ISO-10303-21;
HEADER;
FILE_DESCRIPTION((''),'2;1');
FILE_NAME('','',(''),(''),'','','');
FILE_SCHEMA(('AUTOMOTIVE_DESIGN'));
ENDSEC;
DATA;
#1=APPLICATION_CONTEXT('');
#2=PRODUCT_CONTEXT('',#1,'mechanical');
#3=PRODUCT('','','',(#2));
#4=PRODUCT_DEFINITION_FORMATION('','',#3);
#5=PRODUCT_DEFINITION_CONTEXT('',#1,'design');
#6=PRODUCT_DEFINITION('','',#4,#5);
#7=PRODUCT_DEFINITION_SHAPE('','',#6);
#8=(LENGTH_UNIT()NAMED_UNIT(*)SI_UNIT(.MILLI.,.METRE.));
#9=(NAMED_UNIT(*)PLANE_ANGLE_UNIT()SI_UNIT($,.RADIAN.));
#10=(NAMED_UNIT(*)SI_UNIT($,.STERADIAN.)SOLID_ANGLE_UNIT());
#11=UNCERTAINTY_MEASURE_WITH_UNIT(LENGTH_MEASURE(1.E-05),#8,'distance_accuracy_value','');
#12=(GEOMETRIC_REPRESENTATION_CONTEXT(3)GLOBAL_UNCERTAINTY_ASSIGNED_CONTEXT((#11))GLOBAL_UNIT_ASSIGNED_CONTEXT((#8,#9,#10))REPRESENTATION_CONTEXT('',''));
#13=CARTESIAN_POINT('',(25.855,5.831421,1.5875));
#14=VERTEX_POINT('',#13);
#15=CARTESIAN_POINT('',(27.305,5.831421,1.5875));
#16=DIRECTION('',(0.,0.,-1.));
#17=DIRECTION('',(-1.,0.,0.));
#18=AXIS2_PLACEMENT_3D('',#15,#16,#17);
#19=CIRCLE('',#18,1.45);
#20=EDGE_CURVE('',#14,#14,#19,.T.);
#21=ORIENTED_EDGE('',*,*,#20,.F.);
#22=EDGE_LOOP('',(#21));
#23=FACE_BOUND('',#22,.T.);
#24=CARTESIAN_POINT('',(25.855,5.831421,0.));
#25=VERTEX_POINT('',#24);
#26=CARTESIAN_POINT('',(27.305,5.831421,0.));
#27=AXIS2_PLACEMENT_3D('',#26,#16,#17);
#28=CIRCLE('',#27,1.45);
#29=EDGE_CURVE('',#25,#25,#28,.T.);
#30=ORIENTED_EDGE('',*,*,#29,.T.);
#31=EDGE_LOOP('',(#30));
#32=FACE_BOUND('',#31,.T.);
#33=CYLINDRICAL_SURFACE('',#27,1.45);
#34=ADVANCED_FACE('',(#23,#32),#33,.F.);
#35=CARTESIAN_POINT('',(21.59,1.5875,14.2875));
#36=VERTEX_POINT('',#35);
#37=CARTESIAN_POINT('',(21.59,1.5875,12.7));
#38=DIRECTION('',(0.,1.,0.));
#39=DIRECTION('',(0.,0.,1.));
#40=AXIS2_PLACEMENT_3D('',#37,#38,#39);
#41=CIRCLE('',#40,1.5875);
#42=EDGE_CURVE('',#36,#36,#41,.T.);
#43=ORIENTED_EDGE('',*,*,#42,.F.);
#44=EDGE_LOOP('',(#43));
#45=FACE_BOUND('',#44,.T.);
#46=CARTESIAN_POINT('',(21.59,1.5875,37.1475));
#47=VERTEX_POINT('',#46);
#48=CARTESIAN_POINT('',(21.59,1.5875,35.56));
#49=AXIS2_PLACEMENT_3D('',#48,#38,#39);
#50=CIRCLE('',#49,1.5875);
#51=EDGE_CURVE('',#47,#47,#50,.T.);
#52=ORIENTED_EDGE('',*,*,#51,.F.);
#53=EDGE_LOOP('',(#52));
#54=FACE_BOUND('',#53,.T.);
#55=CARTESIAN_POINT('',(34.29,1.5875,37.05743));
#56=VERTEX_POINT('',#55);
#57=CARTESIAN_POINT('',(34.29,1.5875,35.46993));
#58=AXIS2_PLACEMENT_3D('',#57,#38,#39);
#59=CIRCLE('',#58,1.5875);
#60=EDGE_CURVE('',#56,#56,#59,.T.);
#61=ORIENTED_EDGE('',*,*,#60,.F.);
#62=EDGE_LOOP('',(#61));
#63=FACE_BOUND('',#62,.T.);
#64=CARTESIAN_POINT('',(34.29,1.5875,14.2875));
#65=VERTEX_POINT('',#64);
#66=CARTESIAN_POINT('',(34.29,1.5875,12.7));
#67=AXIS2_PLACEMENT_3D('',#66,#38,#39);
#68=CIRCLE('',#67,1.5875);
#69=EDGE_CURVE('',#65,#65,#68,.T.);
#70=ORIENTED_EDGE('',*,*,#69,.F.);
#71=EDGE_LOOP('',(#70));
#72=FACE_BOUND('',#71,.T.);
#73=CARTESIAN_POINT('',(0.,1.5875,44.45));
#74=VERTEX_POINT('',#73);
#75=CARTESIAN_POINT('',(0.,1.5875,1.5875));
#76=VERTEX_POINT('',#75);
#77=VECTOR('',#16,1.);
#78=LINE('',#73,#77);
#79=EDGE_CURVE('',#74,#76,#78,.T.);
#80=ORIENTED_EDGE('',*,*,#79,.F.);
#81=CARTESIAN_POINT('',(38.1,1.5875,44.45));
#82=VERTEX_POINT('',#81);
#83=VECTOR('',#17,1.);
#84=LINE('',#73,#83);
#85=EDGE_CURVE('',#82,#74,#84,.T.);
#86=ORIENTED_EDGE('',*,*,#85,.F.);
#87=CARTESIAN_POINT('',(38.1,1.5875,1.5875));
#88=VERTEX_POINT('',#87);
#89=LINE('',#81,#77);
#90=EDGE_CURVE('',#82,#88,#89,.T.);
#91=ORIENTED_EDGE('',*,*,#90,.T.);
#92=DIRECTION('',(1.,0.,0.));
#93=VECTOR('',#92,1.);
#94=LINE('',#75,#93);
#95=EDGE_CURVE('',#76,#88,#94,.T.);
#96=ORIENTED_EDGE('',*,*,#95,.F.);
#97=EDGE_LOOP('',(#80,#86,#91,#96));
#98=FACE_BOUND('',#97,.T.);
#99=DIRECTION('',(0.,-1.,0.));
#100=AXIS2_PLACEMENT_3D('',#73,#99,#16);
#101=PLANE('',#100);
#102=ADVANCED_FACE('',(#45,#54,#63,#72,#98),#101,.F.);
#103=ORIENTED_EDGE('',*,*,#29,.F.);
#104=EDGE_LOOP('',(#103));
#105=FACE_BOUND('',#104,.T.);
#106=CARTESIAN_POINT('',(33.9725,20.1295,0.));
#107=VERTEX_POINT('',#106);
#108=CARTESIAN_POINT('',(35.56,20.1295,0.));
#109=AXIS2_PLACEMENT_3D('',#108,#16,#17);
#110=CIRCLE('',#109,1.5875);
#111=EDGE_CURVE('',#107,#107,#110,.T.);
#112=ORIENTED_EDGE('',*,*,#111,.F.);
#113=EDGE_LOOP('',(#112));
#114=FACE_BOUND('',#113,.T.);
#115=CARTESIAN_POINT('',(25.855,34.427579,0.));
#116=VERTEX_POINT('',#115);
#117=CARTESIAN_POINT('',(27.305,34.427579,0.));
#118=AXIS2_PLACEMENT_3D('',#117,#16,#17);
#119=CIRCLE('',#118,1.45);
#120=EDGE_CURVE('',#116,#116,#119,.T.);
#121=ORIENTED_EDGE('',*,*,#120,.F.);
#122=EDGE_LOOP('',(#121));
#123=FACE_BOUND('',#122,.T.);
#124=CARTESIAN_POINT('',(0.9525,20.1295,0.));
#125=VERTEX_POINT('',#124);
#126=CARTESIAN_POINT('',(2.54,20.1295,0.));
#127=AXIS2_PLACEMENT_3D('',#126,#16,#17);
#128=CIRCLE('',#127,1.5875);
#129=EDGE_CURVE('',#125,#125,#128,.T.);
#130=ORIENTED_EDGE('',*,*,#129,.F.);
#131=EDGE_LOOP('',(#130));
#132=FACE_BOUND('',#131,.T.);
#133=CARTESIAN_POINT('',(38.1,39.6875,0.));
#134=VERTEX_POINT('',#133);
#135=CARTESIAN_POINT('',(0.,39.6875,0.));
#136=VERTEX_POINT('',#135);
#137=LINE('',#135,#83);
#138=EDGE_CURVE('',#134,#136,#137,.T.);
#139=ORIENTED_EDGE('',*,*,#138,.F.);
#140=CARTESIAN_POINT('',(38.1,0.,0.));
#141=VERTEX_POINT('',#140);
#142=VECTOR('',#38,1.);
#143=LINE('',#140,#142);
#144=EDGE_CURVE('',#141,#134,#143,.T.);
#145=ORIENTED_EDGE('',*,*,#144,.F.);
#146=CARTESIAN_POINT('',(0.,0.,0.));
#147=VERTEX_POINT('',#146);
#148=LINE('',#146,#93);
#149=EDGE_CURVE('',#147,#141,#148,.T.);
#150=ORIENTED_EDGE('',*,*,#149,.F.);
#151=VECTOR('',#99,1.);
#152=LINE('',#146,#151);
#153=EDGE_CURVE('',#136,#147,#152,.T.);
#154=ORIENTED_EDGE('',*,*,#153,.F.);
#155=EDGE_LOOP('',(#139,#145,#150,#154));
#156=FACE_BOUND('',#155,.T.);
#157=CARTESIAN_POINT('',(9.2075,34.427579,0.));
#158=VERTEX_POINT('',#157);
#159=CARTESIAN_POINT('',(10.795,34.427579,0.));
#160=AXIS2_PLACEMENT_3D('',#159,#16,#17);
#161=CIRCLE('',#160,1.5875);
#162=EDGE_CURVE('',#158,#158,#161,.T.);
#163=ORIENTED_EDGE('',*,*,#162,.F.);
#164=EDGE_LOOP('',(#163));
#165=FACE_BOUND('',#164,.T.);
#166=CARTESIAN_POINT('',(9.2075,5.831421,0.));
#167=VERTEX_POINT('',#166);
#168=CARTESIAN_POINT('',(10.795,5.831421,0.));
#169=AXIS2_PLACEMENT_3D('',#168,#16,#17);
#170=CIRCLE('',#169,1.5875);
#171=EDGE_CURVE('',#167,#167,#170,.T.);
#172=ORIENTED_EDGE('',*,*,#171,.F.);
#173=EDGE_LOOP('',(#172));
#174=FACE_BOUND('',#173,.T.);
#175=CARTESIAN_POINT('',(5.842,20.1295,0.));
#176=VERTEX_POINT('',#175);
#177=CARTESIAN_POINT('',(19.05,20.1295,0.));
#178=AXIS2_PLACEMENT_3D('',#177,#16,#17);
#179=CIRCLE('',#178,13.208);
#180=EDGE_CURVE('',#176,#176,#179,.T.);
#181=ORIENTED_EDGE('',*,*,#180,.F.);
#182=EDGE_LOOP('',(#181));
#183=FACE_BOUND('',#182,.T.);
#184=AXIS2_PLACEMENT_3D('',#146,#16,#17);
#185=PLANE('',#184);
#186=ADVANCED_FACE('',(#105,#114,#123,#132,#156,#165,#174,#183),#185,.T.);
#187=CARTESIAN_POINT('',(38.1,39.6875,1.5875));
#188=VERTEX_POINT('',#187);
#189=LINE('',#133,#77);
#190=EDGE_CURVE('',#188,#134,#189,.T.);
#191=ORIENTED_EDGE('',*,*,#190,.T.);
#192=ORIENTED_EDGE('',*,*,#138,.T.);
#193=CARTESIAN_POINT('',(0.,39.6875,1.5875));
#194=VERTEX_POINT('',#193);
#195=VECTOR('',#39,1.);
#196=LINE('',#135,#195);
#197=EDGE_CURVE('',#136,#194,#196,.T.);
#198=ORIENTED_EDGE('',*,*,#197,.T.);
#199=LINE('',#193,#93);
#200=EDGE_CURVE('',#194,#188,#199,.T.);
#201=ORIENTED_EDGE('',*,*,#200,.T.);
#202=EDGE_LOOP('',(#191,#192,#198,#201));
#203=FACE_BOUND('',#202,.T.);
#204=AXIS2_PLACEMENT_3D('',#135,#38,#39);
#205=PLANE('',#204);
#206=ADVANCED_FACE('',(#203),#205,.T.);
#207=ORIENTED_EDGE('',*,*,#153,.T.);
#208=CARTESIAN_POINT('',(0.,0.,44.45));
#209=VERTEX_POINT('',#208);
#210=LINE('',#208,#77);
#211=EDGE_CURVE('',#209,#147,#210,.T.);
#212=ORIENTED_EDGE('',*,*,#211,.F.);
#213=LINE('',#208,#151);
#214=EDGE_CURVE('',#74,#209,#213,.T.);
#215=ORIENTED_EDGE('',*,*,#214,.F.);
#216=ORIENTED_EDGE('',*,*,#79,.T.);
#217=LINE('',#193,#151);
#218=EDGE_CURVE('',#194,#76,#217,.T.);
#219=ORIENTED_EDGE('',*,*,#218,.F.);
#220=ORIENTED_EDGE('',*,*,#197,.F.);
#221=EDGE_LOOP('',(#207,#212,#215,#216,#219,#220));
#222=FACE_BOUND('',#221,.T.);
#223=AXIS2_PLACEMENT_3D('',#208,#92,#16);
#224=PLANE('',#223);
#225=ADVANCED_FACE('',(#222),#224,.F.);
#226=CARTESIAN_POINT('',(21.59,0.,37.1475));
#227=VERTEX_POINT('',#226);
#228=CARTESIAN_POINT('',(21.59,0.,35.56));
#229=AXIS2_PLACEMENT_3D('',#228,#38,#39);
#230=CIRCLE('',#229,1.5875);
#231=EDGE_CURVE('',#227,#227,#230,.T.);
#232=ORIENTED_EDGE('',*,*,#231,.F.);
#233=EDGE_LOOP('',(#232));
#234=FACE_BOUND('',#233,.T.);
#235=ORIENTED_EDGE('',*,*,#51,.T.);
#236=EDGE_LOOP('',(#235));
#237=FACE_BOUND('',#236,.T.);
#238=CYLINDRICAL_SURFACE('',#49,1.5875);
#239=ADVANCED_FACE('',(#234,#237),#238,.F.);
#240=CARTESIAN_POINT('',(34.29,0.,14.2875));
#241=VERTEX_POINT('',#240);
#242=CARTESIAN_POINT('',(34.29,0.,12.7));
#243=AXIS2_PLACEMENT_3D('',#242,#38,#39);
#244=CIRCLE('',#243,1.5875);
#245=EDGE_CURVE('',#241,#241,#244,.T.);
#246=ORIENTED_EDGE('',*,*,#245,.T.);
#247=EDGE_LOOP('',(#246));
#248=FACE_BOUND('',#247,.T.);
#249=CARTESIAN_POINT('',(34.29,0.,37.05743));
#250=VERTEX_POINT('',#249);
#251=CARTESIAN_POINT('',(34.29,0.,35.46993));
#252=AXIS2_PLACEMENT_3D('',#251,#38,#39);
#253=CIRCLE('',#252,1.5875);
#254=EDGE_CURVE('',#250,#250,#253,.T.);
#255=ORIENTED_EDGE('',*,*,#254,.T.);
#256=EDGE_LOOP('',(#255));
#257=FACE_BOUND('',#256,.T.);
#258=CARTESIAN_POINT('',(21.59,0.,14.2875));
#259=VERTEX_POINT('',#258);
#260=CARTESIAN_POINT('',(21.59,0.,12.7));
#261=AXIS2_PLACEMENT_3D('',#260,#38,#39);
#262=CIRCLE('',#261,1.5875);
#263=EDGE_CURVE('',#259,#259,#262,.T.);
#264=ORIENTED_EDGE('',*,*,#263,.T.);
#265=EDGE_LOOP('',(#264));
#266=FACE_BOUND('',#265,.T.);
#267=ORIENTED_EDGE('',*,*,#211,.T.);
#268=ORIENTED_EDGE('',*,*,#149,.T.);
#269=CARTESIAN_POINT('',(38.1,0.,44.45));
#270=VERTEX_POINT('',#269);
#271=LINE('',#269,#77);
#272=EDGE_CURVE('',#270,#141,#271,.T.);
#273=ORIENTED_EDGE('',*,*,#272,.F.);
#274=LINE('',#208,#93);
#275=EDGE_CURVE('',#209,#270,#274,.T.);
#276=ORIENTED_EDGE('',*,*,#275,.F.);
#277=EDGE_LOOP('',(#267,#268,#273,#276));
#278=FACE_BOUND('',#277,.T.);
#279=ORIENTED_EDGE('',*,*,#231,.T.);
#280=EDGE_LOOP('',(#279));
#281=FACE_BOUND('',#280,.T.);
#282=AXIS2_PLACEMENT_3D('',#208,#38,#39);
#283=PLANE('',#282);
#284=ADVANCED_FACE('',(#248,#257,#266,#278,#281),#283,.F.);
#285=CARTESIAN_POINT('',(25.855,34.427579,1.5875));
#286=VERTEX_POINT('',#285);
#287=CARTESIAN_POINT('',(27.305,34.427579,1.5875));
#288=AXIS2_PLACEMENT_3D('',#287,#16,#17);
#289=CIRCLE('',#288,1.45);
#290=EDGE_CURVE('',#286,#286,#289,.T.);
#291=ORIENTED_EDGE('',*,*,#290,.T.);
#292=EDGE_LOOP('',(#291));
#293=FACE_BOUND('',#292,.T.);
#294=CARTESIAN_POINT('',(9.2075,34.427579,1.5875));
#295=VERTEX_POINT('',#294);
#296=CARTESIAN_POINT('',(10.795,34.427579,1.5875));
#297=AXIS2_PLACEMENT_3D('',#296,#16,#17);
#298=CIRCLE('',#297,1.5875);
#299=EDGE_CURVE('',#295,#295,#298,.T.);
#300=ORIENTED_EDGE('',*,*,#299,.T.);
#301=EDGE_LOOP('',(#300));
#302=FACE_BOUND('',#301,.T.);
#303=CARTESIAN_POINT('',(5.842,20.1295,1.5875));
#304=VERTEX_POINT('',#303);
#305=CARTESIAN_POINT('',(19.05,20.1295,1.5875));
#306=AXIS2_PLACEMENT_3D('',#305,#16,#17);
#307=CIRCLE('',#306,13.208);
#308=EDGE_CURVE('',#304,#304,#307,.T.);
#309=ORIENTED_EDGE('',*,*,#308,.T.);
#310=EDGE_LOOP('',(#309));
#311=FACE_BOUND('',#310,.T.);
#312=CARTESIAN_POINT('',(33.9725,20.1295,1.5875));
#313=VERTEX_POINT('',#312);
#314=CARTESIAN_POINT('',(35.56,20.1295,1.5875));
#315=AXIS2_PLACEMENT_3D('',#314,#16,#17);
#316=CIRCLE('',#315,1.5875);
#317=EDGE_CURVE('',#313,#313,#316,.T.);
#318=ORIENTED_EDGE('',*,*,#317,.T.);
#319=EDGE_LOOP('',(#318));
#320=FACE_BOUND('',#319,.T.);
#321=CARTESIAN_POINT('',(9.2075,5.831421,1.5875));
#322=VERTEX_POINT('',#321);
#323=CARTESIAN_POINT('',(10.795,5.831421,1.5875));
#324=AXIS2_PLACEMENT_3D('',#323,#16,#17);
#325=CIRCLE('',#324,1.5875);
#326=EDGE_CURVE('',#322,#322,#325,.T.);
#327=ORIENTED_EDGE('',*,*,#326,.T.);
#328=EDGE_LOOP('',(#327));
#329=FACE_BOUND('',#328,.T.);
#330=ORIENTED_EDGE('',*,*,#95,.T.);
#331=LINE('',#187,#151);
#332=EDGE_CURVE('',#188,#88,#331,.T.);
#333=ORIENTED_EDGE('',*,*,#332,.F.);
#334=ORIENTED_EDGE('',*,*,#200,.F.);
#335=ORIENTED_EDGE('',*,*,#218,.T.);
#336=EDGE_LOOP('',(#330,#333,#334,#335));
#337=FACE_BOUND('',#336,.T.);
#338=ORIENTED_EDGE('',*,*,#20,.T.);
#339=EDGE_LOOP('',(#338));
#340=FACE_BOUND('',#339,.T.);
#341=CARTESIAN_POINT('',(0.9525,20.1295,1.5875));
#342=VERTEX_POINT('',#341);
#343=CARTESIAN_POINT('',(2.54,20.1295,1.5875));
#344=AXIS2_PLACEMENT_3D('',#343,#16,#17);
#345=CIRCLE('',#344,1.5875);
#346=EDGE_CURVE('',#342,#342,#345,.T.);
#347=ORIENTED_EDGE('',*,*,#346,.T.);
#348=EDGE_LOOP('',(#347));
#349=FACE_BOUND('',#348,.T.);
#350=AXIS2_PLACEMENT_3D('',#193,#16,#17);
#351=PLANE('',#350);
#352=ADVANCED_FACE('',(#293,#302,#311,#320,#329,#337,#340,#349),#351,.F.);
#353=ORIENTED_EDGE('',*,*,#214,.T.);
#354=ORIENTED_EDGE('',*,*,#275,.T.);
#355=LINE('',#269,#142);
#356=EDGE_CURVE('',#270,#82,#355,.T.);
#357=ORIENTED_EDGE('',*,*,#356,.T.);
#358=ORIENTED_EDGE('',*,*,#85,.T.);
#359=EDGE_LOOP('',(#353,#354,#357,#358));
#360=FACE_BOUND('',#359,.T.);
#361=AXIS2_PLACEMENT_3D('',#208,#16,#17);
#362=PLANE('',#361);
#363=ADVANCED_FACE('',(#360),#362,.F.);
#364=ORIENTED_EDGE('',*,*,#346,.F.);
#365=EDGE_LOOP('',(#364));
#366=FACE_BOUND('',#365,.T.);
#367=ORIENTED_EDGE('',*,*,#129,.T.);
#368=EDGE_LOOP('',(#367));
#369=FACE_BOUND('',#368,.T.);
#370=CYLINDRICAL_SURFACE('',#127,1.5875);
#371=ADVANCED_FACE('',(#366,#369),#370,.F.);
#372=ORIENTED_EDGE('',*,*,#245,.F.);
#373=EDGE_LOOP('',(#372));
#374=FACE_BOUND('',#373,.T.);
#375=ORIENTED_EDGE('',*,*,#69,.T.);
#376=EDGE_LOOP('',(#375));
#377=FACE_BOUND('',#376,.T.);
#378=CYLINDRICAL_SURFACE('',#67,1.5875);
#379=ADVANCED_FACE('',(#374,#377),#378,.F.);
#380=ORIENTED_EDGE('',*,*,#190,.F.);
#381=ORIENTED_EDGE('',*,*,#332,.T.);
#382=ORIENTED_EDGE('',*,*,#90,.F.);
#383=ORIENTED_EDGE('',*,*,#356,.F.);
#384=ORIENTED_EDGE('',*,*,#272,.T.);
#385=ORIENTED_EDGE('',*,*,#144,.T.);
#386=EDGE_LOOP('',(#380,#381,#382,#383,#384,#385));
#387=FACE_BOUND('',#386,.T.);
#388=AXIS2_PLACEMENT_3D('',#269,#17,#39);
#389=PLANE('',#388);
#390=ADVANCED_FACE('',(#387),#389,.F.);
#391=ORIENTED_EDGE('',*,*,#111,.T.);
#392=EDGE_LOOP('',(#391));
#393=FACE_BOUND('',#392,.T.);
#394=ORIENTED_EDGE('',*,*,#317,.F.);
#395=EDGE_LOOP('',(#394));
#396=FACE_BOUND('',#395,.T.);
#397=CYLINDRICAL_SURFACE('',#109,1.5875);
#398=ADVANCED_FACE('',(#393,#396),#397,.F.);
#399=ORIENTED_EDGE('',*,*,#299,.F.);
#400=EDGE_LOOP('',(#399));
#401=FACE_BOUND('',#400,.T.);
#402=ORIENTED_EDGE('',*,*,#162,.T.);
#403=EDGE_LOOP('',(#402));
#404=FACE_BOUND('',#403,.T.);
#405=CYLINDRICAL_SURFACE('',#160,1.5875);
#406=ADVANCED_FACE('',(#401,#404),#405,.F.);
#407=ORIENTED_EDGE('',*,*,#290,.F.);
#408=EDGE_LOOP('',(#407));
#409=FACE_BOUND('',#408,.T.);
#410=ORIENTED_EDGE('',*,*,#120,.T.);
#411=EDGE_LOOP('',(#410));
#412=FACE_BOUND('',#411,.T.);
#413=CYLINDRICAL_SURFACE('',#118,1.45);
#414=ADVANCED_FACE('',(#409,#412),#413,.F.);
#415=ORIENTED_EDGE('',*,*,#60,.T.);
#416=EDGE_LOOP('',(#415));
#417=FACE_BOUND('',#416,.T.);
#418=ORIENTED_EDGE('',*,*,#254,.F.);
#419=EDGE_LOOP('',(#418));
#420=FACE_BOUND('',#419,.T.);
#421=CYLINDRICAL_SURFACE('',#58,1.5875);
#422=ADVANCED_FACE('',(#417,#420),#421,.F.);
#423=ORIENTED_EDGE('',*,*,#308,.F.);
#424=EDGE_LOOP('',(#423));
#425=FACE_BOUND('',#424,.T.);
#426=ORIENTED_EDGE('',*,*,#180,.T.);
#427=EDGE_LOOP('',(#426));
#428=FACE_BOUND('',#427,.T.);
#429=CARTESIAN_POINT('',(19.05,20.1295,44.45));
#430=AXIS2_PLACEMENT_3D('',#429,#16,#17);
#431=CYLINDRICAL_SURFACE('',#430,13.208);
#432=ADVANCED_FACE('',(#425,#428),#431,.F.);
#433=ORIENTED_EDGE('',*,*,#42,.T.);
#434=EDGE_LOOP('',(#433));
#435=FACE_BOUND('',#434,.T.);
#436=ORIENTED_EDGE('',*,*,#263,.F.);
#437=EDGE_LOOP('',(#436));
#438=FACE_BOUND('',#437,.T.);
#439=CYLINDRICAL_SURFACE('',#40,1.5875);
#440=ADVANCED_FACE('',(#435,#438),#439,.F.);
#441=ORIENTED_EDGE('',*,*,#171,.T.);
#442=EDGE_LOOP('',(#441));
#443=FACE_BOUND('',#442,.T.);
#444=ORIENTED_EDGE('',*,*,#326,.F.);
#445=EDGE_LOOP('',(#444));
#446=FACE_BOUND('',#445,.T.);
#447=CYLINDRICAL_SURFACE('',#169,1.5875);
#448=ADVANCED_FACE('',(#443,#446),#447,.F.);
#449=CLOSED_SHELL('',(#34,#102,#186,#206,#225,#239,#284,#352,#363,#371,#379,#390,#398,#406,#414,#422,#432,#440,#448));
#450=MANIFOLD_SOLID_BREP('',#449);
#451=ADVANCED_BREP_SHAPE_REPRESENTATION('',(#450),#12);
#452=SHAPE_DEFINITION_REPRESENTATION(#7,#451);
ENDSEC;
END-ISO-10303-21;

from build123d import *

# Parameters (mm, degrees)
SKETCH1_W                      = 38.1
SKETCH1_H                      = 1.5875
BOSS_EXTRUDE1_DEPTH            = 44.45
SKETCH2_W                      = 38.1
SKETCH2_H                      = 1.5875
BOSS_EXTRUDE2_DEPTH            = 38.1
SKETCH3_R                      = 13.208
CUT_EXTRUDE1_DEPTH             = 71.728425377
F_1_8_0_125_DIAMETER_HOLE3_D   = 3.175
F_1_8_0_125_DIAMETER_HOLE4_D   = 3.175
F_2_9_2_9_DIAMETER_HOLE1_D     = 2.9
F_2_9_2_9_DIAMETER_HOLE1_DEPTH = 3.556
F_2_9_2_9_DIAMETER_HOLE1_TIP   = 0.871247898


with BuildPart() as part:
    # Sketch1 → Boss-Extrude1 (new body)
    with BuildSketch(Plane.XY):
        with Locations((19.05, 0.79375)):
            Rectangle(SKETCH1_W, SKETCH1_H)
    extrude(amount=BOSS_EXTRUDE1_DEPTH)

    # Sketch2 → Boss-Extrude2 (add)
    with BuildSketch(Plane(origin=(0, 1.5875, 0), x_dir=(1, 0, 0), z_dir=(0, 1, 0))):
        with Locations((19.05, -0.79375)):
            Rectangle(SKETCH2_W, SKETCH2_H)
    extrude(amount=BOSS_EXTRUDE2_DEPTH)

    # Sketch3 → Cut-Extrude1 (cut, through all)
    with BuildSketch(Plane(origin=(0, 0, 0), x_dir=(-1, 0, 0), z_dir=(0, 0, -1))):
        with Locations((-19.05, 20.1295)):
            Circle(SKETCH3_R)
    extrude(amount=-CUT_EXTRUDE1_DEPTH, mode=Mode.SUBTRACT)

    # 1/8 (0.125) Diameter Hole3 (through all)
    with Locations(Plane(origin=(0, 0, 0), x_dir=(-1, 0, 0), z_dir=(0, 0, -1))):
        with Locations((-35.56, 20.1295), (-10.795, 34.427579416), (-2.54, 20.1295), (-10.795, 5.831420584)):
            Hole(F_1_8_0_125_DIAMETER_HOLE3_D / 2)

    # 1/8 (0.125) Diameter Hole4 (through all)
    with Locations(Plane(origin=(0, 1.5875, 0), x_dir=(1, 0, 0), z_dir=(0, 1, 0))):
        with Locations((34.29, -12.7), (21.59, -12.7), (21.59, -35.56), (34.29, -35.469930371)):
            Hole(F_1_8_0_125_DIAMETER_HOLE4_D / 2)

    # Ø2.9 (2.9) Diameter Hole1
    with Locations(Plane(origin=(0, 0, 0), x_dir=(-1, 0, 0), z_dir=(0, 0, -1))):
        with Locations((-27.305, 5.831420584), (-27.305, 34.427579416)):
            Hole(F_2_9_2_9_DIAMETER_HOLE1_D / 2, depth=F_2_9_2_9_DIAMETER_HOLE1_DEPTH)
            with Locations((0, 0, -(F_2_9_2_9_DIAMETER_HOLE1_DEPTH + F_2_9_2_9_DIAMETER_HOLE1_TIP / 2))):  # 118° drill point
                Cone(0, F_2_9_2_9_DIAMETER_HOLE1_D / 2, F_2_9_2_9_DIAMETER_HOLE1_TIP, mode=Mode.SUBTRACT)


solid = part.part
